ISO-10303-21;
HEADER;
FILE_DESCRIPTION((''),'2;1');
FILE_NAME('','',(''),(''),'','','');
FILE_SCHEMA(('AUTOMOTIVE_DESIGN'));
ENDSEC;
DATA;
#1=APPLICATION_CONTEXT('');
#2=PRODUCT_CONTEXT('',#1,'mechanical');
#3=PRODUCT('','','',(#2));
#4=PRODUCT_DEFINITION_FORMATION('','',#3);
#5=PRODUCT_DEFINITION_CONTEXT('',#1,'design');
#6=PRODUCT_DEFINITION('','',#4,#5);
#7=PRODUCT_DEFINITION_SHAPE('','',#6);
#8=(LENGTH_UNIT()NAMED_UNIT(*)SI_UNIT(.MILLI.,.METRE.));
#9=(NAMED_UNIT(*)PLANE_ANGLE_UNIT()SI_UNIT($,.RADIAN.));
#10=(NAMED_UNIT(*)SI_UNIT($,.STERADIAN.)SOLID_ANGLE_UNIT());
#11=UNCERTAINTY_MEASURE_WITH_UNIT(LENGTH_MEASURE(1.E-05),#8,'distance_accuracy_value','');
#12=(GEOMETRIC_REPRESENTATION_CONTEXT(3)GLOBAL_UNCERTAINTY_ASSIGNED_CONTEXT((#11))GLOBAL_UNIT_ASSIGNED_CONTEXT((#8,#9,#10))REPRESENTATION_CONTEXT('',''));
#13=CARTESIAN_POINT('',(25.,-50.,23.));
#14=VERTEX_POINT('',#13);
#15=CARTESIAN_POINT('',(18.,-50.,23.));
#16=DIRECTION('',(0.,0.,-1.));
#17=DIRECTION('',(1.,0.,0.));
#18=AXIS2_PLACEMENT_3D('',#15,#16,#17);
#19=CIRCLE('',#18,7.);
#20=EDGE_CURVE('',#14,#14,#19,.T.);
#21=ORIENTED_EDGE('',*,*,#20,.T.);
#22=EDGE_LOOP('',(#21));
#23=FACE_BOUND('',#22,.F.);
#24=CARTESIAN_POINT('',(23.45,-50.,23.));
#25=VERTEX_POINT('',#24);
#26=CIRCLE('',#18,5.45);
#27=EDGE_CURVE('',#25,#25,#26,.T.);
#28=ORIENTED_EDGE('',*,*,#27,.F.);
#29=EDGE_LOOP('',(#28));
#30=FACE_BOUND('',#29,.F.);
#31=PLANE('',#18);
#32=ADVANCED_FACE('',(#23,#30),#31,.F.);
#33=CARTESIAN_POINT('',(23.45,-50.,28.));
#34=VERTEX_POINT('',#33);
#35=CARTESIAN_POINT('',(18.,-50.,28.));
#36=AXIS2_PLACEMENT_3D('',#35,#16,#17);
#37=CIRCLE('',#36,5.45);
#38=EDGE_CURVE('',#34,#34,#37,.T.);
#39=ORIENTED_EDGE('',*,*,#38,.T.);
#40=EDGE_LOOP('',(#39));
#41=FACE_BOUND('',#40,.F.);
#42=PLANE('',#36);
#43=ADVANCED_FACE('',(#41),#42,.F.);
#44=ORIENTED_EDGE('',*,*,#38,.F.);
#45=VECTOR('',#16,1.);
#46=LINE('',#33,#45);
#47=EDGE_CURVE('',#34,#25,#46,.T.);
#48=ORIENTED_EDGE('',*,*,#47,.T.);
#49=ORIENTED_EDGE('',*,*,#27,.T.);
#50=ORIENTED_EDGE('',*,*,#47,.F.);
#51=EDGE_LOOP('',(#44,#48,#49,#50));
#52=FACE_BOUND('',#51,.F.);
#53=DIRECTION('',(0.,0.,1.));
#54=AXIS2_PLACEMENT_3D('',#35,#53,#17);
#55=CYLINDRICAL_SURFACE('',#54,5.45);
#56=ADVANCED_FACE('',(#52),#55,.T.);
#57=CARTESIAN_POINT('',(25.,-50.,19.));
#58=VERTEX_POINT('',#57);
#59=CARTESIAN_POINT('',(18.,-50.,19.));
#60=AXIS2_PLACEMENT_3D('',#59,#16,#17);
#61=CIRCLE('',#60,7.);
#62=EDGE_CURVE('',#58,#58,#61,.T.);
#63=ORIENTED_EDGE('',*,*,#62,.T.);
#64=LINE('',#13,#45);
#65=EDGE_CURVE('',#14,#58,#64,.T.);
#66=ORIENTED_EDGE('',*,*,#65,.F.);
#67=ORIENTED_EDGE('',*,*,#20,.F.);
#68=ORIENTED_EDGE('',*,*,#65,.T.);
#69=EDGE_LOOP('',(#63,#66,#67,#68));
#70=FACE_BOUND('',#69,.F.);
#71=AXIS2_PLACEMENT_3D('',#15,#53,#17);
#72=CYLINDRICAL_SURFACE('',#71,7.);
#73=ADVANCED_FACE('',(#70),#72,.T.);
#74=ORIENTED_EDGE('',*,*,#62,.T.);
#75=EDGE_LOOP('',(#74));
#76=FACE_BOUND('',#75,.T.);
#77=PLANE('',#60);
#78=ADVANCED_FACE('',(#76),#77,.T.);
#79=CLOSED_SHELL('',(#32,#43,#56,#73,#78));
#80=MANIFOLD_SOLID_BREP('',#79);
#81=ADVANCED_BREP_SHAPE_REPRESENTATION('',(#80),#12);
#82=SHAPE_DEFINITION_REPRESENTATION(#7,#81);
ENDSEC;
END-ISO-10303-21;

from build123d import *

# Parameters (mm, degrees)
CYLINDER001_R            = 7
CYLINDER001_DEPTH        = 4
CYLINDER_R               = 5.45
CYLINDER_DEPTH           = 5
CLONE018_PLACEMENT_ANGLE = 180


with BuildPart() as knob002:
    # Cylinder001 → Cylinder001 (new body)
    with BuildSketch(Plane(origin=(7, 0, -5), x_dir=(1, 0, 0), z_dir=(0, 0, 1))):
        Circle(CYLINDER001_R)
    extrude(amount=CYLINDER001_DEPTH)


with BuildPart() as knob004:
    # Cylinder → Cylinder (new body)
    with BuildSketch(Plane(origin=(7, 0, -10), x_dir=(1, 0, 0), z_dir=(0, 0, 1))):
        Circle(CYLINDER_R)
    extrude(amount=CYLINDER_DEPTH)

    # Fusion007: union knob002
    add(knob002.part)


with BuildPart() as knob004_1:
    # Clone018 placement: moved
    add(knob004.part.moved(Location((11, -50, 18))).rotate(Axis((11, -50, 18), (1, 0, 0)), CLONE018_PLACEMENT_ANGLE))


solid = knob004_1.part
